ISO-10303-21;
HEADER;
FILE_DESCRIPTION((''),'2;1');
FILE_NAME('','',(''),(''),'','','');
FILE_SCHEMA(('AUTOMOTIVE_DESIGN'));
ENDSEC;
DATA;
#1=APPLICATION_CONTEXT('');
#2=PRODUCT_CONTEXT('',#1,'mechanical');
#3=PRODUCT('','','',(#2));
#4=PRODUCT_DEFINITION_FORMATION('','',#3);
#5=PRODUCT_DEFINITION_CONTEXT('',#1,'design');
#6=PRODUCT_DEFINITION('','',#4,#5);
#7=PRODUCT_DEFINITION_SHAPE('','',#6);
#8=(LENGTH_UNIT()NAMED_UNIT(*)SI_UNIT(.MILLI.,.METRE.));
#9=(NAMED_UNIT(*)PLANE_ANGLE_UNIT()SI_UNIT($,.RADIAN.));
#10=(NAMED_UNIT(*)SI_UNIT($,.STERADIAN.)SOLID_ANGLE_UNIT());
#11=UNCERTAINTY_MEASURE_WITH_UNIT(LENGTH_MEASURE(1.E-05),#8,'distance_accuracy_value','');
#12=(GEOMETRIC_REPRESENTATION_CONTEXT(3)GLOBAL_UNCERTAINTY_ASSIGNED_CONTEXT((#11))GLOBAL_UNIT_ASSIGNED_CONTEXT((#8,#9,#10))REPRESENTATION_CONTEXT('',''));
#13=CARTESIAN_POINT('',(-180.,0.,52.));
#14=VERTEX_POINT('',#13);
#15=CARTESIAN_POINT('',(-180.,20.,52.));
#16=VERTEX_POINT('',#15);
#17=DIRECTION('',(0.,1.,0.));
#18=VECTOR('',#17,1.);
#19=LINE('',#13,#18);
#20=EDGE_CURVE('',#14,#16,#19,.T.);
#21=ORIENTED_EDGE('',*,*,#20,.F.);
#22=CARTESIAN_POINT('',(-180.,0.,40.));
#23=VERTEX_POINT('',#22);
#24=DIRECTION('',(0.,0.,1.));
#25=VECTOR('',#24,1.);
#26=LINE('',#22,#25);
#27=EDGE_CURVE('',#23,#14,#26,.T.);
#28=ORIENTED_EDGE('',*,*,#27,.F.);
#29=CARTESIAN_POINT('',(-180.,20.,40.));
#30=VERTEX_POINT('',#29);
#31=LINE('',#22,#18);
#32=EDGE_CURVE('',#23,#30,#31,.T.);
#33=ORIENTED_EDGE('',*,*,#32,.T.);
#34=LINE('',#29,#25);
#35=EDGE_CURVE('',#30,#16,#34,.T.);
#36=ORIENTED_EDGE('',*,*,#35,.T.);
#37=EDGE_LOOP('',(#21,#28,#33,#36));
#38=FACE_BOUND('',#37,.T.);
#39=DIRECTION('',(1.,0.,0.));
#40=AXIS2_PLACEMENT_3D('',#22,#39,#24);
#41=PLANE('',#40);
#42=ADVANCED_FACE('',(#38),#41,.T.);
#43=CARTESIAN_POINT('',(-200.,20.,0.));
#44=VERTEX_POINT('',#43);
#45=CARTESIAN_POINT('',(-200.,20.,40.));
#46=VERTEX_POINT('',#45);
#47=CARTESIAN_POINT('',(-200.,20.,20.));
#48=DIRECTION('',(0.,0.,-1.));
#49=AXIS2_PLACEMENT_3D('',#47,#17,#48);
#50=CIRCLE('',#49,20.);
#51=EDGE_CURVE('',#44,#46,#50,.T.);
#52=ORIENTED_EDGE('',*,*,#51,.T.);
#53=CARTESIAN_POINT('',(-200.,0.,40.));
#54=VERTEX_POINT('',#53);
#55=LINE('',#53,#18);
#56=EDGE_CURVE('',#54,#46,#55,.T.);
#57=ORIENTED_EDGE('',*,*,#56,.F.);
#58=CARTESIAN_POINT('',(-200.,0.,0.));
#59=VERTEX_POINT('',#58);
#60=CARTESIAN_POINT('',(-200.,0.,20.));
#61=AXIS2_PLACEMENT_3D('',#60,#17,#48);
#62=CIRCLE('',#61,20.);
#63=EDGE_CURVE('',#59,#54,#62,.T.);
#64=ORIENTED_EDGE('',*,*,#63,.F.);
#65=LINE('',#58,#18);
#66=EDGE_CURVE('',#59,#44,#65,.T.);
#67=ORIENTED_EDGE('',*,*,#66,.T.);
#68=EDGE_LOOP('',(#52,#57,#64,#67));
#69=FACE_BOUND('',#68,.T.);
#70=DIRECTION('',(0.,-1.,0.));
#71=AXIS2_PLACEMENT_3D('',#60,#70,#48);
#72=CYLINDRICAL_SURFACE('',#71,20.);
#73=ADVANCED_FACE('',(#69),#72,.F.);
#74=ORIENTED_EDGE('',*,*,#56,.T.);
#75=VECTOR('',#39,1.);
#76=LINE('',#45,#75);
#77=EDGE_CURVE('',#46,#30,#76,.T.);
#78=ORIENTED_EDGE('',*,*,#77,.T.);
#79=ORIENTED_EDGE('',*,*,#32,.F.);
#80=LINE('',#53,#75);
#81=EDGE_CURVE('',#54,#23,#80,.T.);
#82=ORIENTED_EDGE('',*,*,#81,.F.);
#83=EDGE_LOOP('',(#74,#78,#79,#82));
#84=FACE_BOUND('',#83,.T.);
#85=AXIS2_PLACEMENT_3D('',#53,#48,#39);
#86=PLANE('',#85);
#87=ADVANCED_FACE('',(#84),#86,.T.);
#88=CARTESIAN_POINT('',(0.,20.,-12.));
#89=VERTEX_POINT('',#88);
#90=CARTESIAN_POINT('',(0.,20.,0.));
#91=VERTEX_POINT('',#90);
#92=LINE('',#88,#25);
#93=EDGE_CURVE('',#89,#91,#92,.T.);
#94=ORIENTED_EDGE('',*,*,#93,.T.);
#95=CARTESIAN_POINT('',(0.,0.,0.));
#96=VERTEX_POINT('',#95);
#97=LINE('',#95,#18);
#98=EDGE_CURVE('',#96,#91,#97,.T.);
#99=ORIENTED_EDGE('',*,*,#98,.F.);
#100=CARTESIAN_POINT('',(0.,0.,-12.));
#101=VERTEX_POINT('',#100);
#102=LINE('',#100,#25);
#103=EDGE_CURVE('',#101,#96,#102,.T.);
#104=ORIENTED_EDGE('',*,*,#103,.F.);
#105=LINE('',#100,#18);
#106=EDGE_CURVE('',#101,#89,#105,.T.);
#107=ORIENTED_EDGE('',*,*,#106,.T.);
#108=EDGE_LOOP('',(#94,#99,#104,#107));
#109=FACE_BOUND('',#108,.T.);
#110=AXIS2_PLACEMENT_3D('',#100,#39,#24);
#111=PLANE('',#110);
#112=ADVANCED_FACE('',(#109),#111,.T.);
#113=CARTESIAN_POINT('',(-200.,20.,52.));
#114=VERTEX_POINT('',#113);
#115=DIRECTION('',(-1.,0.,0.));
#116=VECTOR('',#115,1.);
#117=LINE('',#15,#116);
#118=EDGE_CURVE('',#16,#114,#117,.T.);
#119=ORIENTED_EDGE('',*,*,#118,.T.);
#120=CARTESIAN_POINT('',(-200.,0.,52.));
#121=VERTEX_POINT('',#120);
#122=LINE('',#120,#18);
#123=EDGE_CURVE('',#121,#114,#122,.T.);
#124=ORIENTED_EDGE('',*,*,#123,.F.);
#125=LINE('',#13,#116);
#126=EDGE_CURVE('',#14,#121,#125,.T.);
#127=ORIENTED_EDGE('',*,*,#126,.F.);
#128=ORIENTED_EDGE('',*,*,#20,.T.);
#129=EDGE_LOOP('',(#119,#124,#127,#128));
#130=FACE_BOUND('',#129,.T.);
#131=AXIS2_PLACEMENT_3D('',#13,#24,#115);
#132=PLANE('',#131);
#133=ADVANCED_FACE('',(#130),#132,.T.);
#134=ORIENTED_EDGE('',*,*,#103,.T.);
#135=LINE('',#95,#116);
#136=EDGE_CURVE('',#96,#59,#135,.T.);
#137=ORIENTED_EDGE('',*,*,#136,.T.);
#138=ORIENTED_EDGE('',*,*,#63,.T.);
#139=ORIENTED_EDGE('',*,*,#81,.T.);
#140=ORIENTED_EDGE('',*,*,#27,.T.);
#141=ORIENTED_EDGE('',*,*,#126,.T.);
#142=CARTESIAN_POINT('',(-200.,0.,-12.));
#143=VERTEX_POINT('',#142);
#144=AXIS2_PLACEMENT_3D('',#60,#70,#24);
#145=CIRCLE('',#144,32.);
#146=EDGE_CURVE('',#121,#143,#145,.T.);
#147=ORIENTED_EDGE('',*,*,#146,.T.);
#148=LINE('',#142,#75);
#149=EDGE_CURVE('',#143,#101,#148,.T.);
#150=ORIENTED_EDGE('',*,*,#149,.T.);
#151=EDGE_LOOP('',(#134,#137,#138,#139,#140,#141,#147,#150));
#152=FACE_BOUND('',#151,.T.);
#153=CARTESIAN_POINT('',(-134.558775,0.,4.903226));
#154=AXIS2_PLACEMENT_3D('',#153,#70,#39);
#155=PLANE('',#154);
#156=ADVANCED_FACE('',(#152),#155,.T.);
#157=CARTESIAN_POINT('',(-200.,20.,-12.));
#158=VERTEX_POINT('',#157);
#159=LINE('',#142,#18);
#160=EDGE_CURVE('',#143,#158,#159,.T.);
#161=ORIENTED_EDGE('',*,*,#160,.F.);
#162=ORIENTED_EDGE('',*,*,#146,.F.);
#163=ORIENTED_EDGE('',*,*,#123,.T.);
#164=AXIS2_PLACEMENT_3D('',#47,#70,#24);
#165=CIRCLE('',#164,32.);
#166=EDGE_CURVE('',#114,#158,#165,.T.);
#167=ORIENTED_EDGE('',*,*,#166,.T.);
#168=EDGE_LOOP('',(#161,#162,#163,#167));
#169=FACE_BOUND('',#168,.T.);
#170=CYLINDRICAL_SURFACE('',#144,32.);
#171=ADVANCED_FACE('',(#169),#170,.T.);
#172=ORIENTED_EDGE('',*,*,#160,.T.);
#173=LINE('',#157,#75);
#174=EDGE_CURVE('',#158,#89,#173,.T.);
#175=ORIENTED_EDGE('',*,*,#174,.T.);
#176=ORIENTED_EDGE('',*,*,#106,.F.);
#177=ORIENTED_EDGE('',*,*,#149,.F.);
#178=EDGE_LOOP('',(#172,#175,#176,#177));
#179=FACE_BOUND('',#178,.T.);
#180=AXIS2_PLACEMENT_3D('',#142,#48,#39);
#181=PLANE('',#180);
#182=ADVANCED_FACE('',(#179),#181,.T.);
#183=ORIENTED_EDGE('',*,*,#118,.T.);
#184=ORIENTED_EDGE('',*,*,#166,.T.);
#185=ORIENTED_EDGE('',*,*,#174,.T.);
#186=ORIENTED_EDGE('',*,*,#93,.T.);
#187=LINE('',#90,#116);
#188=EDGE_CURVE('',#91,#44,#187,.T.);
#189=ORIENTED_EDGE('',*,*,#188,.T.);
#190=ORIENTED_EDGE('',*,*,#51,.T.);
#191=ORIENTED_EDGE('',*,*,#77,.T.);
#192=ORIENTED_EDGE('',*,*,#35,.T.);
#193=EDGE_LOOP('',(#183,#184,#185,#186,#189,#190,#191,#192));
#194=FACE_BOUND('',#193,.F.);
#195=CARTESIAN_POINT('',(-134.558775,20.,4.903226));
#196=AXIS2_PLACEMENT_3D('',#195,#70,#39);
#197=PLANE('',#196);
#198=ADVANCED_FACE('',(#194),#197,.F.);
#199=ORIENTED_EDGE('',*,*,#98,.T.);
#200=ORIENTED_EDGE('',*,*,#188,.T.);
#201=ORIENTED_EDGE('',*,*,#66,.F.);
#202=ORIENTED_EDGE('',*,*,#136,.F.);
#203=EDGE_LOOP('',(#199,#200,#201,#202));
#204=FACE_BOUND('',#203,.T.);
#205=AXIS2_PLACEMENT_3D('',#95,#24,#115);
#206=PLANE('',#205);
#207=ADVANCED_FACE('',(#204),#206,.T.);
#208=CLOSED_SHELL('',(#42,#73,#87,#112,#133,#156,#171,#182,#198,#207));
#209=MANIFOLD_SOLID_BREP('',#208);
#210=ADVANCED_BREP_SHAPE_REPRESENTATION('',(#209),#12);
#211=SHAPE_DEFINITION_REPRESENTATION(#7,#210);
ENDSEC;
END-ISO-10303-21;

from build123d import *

# Parameters (mm, degrees)
F1_DEPTH = 20


with BuildPart() as f1:
    # F0 (on Front) → F1 (new body)
    with BuildSketch(Plane.XZ):
        with BuildLine():
            Line((0, -12), (0, 0))
            Line((0, 0), (-200, 0))
            ThreePointArc((-200, 0), (-220, 20), (-200, 40))
            Line((-200, 40), (-180, 40))
            Line((-180, 40), (-180, 52))
            Line((-180, 52), (-200, 52))
            ThreePointArc((-200, 52), (-232, 20), (-200, -12))
            Line((-200, -12), (0, -12))
        make_face()
    extrude(amount=-F1_DEPTH)


solid = f1.part
